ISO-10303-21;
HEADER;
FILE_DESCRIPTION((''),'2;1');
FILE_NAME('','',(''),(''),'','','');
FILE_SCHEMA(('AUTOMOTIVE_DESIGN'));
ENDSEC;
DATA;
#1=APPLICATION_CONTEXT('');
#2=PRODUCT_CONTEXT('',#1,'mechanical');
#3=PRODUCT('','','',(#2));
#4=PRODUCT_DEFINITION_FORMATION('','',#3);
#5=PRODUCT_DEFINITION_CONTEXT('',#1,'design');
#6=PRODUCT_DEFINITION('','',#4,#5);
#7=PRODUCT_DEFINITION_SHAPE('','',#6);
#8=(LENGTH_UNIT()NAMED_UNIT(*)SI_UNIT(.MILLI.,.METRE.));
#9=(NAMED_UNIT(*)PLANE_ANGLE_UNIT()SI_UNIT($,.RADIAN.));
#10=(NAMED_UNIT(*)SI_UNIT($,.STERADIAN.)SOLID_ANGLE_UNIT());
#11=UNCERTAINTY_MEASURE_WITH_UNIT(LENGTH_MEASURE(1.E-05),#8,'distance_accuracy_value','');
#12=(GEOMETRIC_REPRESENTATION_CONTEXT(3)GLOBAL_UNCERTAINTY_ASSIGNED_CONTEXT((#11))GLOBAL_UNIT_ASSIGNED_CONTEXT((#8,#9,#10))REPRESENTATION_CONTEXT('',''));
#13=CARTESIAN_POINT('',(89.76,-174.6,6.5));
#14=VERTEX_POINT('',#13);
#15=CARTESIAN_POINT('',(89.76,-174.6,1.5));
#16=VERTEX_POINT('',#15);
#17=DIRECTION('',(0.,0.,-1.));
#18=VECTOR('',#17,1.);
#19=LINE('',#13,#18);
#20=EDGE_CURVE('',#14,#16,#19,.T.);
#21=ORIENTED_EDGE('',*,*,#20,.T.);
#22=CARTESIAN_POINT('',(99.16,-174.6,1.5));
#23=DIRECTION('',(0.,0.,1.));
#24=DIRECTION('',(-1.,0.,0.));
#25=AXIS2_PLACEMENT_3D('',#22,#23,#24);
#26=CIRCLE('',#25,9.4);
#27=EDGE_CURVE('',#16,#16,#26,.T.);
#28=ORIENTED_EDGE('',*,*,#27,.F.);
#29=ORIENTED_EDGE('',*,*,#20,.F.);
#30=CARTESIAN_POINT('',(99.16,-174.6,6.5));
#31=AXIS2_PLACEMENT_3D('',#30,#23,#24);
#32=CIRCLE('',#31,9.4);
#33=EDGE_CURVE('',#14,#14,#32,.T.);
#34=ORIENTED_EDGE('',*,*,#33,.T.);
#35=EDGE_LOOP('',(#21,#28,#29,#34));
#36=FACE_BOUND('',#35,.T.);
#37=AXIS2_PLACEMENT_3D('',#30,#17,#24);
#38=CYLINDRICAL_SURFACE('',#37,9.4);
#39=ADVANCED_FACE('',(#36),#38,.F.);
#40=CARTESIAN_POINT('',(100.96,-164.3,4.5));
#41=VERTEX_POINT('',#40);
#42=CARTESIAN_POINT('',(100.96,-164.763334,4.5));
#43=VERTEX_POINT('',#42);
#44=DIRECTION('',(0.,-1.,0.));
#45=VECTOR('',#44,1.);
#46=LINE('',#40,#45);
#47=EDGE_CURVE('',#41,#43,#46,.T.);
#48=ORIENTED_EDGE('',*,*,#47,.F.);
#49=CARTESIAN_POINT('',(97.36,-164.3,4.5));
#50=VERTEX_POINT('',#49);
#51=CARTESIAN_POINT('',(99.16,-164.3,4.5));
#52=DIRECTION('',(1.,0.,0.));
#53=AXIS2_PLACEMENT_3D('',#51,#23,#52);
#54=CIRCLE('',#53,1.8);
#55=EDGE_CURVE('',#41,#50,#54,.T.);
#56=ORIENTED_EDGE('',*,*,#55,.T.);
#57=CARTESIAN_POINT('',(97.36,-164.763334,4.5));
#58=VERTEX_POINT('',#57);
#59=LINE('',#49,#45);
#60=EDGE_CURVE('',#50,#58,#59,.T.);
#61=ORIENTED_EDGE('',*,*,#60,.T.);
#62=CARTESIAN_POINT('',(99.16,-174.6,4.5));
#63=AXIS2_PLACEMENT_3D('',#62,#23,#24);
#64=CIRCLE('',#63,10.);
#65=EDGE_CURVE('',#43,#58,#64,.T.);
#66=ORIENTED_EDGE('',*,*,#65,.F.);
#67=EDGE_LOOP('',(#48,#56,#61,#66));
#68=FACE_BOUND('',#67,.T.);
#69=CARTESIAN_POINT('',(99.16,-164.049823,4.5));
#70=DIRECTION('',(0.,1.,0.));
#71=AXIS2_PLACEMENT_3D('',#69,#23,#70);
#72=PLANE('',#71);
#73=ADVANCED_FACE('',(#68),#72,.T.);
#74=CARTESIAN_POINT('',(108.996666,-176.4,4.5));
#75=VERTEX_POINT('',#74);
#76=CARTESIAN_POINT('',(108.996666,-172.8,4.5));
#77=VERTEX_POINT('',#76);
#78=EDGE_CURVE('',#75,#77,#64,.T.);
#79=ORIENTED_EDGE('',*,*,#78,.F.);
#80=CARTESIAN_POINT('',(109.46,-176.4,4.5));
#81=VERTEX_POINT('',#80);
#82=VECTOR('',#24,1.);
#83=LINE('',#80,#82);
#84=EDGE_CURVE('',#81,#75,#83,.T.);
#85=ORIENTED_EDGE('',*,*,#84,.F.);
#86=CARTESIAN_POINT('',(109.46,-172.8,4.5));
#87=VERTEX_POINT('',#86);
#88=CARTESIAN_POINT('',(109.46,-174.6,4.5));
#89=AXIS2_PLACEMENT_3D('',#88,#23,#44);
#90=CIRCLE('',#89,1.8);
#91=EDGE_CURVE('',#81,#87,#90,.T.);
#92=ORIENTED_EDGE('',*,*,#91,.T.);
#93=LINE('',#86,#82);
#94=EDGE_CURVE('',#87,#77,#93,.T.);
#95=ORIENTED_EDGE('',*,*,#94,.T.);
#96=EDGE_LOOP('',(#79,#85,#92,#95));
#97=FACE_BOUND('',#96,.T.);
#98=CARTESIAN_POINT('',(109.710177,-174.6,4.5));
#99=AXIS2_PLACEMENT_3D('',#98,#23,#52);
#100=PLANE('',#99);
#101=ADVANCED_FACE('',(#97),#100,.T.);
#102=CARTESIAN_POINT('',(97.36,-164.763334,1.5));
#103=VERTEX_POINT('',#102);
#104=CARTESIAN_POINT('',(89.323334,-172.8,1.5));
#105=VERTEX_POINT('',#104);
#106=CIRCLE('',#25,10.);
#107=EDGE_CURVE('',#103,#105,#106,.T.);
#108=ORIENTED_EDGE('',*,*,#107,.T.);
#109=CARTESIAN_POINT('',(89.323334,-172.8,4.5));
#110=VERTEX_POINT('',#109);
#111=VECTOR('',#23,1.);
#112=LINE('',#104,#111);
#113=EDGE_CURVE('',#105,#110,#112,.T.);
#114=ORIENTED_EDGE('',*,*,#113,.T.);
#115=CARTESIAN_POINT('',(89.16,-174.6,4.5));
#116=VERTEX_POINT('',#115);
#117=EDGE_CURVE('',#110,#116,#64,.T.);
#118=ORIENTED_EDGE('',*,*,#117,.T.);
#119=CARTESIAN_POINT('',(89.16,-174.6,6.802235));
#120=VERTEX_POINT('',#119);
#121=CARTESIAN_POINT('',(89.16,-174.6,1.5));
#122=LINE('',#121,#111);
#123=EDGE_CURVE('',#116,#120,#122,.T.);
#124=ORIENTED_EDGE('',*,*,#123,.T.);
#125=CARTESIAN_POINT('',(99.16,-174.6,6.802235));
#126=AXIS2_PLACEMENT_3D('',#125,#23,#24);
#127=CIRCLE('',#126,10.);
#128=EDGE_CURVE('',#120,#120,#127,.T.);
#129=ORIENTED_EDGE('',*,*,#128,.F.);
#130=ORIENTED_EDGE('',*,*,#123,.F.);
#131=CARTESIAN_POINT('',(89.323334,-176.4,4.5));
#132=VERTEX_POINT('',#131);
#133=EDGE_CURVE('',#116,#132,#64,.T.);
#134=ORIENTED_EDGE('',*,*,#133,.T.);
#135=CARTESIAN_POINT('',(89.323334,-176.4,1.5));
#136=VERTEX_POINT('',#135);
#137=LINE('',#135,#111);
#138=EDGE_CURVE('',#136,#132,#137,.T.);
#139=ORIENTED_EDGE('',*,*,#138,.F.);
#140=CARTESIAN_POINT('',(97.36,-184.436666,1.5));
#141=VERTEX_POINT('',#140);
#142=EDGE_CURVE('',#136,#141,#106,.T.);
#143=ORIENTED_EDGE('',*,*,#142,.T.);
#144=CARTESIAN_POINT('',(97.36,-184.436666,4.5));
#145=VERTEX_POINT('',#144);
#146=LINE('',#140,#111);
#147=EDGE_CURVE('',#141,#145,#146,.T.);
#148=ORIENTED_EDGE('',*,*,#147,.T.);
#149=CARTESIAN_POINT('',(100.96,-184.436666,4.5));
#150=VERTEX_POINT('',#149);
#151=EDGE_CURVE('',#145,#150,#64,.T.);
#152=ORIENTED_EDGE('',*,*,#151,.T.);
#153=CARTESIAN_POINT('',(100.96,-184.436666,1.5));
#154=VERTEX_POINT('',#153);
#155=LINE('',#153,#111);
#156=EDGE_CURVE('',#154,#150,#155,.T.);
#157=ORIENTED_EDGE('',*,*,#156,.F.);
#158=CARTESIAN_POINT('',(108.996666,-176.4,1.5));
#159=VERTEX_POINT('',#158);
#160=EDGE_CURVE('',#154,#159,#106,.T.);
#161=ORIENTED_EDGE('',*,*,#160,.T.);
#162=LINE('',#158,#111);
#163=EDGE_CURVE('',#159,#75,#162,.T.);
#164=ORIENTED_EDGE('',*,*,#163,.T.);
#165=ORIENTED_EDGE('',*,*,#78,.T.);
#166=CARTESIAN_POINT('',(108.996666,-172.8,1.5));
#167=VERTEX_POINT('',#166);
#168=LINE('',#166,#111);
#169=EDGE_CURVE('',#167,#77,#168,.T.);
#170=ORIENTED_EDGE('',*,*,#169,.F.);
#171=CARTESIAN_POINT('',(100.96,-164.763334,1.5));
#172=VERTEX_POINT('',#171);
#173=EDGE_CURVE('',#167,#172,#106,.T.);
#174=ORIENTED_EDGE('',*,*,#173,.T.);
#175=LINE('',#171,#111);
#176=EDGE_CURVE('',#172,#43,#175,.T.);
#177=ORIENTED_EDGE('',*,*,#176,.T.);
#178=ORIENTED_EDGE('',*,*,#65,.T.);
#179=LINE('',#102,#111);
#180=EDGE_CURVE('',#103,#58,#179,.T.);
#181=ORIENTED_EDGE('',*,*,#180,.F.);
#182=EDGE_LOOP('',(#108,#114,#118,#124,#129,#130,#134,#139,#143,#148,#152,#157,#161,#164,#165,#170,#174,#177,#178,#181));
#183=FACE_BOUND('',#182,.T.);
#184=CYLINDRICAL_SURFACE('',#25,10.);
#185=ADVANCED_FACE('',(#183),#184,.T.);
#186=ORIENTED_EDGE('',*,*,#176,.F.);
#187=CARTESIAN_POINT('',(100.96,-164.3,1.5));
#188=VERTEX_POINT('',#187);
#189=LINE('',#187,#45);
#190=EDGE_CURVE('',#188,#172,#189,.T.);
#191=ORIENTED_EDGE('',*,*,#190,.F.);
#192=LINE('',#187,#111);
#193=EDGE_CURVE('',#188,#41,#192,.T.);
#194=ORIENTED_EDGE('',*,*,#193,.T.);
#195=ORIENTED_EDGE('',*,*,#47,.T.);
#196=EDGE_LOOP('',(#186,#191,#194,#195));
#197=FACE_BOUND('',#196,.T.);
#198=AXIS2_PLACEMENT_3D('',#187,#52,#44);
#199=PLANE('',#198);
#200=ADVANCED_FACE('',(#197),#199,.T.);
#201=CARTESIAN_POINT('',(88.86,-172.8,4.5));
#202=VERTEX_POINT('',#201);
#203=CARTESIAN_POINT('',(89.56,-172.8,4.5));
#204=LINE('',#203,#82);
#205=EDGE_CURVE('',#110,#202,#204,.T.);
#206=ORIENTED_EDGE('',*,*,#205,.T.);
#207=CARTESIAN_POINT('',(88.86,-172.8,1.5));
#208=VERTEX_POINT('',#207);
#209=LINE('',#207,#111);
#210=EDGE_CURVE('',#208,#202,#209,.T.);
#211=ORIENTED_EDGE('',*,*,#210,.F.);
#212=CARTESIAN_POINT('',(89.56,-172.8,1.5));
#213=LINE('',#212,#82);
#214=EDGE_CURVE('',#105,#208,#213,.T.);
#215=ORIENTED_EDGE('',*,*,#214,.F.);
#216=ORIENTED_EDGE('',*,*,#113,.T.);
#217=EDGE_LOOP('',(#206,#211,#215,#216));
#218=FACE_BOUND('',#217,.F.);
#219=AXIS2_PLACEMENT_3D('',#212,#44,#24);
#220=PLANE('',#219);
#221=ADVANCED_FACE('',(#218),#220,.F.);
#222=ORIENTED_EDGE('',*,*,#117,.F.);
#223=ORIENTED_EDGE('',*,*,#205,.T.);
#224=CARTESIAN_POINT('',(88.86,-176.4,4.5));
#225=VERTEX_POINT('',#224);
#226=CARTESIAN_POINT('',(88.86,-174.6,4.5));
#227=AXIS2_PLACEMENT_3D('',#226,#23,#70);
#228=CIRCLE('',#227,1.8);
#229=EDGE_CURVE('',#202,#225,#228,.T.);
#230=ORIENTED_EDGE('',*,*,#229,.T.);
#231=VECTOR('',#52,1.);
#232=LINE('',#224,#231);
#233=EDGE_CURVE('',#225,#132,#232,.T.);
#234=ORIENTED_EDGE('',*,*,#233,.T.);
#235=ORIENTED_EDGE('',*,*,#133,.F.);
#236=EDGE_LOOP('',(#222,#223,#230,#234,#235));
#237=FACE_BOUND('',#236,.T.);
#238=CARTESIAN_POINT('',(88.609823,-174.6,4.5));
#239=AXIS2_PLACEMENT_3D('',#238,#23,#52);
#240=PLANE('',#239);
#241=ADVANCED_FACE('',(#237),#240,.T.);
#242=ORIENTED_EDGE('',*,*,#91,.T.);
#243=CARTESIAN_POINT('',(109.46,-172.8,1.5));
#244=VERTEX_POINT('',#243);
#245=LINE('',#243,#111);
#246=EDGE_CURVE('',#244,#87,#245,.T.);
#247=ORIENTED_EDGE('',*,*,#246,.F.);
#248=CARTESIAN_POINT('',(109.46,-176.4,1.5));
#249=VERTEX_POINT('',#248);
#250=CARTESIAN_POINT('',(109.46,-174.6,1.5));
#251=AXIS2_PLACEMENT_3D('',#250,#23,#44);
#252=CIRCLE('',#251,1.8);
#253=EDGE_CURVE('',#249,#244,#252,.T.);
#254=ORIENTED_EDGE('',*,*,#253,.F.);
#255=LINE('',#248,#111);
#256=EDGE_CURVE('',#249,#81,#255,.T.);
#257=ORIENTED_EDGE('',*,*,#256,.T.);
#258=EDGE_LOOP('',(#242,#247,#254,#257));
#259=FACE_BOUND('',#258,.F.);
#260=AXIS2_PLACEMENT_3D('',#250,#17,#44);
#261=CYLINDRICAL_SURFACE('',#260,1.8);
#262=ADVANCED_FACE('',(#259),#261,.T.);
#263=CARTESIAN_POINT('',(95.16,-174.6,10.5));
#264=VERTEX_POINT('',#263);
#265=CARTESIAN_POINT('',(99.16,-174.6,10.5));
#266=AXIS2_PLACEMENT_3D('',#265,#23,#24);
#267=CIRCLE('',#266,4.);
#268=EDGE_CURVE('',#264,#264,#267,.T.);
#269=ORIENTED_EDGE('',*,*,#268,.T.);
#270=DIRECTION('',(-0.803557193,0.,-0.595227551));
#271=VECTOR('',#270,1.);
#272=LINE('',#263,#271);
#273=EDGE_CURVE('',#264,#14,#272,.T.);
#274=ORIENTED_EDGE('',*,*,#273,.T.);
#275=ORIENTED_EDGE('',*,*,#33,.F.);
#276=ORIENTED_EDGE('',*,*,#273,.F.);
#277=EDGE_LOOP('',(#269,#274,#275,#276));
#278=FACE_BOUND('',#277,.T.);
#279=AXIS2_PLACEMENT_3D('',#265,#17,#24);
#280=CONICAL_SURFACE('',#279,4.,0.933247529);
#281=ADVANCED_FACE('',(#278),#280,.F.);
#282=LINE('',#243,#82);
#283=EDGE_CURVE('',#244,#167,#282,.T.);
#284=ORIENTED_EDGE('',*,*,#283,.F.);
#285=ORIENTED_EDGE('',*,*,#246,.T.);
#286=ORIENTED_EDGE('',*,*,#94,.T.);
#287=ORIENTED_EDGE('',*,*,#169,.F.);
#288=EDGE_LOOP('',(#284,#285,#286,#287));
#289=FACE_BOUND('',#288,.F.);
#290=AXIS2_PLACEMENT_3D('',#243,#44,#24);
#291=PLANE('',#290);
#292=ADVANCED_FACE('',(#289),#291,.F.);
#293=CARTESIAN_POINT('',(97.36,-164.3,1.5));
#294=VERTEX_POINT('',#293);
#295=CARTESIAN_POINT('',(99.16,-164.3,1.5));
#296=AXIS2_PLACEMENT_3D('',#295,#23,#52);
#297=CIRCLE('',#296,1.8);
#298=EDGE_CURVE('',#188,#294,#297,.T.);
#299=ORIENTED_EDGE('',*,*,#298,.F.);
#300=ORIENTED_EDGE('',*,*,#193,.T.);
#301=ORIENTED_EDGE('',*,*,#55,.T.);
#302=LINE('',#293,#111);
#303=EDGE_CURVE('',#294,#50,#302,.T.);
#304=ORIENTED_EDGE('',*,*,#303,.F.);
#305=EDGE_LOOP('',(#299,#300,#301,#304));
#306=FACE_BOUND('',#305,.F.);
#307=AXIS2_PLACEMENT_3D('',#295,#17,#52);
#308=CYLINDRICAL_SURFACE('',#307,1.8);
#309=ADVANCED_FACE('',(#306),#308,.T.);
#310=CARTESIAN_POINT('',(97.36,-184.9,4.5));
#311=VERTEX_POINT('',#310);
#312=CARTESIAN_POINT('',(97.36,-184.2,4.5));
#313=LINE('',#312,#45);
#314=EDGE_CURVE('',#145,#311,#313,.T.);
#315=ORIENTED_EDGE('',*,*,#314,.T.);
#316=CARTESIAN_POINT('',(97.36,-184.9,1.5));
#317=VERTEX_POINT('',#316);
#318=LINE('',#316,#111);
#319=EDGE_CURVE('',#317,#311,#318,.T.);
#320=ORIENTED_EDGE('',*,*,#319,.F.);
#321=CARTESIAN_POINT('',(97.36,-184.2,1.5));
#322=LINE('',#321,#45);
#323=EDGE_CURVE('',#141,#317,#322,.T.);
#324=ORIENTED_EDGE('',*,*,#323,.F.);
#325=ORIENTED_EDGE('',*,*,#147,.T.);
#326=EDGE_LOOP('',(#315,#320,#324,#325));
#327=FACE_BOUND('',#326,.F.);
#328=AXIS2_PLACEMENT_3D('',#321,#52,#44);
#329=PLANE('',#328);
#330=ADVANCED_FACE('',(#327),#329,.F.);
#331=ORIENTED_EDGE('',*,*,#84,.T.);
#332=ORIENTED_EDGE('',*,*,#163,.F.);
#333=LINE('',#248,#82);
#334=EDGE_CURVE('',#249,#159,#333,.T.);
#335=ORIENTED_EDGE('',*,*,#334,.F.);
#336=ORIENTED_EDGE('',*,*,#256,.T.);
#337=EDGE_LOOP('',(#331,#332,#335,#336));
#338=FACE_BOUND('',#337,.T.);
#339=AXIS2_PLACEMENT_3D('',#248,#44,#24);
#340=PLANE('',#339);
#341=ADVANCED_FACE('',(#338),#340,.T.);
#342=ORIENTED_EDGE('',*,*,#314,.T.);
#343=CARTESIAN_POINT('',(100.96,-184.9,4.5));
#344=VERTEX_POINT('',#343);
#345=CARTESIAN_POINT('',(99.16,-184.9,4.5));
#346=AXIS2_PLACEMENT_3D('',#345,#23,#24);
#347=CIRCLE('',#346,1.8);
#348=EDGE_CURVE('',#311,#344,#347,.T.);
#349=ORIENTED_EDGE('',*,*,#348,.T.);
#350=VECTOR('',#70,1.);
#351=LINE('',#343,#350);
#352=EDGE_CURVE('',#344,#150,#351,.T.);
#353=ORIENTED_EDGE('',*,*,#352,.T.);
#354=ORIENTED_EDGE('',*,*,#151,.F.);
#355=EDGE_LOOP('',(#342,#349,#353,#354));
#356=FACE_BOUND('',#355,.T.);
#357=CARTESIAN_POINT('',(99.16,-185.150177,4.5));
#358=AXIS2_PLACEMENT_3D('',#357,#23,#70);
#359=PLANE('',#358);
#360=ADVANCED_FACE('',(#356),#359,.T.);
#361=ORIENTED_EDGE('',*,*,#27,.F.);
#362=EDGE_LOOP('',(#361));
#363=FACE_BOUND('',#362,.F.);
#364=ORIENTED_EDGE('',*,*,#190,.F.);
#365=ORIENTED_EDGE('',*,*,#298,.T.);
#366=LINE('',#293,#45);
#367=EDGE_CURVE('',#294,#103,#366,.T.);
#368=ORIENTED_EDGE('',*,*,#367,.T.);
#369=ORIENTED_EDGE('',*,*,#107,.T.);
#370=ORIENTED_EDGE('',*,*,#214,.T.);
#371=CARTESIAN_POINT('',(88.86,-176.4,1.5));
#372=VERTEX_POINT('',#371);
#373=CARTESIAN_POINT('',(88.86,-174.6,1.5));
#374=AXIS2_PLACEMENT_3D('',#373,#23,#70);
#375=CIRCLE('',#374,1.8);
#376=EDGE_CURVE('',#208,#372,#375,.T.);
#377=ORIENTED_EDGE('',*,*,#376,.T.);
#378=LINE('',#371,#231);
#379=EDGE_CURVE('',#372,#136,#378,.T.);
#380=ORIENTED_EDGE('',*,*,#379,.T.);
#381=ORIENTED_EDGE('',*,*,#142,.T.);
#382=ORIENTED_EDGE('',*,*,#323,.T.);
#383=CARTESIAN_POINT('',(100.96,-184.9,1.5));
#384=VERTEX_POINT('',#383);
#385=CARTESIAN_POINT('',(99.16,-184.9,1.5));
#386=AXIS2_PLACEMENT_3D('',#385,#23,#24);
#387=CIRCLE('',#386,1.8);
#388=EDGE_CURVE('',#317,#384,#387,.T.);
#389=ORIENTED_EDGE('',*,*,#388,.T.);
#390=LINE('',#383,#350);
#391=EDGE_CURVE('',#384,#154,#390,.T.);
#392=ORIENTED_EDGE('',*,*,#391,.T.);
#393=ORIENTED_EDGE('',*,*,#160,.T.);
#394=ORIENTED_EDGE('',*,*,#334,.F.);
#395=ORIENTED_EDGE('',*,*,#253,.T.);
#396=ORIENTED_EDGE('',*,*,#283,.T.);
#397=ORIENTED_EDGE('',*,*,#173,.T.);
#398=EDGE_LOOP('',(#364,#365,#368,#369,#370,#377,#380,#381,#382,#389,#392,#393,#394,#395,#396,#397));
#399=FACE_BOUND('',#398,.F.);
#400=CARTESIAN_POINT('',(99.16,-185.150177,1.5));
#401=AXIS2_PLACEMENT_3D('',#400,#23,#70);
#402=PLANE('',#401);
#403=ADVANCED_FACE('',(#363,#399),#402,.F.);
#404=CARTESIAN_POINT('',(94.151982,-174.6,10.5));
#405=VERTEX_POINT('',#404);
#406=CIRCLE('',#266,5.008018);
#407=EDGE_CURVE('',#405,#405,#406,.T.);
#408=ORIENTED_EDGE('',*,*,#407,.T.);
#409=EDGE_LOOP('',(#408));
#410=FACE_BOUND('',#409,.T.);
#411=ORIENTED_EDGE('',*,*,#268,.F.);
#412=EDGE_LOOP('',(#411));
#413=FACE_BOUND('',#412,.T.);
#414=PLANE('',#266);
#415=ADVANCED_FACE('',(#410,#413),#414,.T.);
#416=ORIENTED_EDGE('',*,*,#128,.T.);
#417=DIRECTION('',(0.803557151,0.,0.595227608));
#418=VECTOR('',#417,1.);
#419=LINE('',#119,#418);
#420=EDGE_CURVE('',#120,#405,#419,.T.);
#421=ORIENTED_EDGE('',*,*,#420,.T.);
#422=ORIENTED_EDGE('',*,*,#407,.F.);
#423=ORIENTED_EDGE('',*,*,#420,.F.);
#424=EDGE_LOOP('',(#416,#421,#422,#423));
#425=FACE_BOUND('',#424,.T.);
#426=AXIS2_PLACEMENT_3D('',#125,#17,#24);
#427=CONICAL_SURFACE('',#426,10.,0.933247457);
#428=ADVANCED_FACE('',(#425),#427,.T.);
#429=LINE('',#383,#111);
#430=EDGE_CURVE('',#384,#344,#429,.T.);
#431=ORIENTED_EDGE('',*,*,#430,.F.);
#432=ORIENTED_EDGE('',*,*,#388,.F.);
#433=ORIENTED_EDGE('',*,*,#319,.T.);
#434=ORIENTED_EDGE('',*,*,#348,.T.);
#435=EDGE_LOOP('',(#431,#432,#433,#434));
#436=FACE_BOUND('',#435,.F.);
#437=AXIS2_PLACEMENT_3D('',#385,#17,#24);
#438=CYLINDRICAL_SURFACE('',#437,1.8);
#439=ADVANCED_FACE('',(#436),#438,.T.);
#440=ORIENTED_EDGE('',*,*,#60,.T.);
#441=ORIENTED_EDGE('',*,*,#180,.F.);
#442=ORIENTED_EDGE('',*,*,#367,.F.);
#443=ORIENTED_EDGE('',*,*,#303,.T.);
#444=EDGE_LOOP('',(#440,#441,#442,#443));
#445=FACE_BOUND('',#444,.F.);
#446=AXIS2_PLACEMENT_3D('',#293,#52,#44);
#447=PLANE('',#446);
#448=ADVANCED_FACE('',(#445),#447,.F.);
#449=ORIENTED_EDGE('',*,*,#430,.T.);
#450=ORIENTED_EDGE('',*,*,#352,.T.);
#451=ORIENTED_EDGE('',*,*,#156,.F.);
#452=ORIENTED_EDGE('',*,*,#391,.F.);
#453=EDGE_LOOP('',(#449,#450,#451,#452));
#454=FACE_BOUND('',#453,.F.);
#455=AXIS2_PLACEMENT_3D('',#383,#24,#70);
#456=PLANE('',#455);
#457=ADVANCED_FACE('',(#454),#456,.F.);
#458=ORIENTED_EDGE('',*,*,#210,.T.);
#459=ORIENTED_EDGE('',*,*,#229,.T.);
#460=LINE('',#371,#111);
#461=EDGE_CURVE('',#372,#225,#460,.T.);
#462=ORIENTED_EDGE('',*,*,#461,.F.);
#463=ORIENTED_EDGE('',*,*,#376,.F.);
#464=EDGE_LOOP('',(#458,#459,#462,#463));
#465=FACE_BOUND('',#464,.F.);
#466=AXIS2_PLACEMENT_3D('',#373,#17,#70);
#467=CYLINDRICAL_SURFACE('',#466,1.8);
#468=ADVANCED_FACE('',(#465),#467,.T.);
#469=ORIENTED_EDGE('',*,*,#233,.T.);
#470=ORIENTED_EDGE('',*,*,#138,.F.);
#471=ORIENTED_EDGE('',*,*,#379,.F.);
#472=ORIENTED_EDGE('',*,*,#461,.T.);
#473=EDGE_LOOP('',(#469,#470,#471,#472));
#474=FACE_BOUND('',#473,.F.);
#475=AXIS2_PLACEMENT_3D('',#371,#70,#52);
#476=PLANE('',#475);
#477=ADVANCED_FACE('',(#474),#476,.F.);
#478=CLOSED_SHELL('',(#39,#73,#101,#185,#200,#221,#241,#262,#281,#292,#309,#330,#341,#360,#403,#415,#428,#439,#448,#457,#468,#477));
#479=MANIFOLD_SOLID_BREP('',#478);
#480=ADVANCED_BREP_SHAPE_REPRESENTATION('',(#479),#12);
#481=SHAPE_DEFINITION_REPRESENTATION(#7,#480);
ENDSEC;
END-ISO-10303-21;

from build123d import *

# Parameters (mm, degrees)
PAD022_DEPTH          = 3
POLARPATTERN001_COUNT = 4


with BuildPart() as part:
    # Sketch042 → Revolution002 (revolve)
    with BuildSketch(Plane.XZ):
        Polygon((-10, 0), (-10, 5.302235), (-5.008018, 9), (-4, 9), (-9.4, 5), (-9.4, 0), align=None)
    revolve(axis=Axis((0, 0, 0), (0, 0, 1)))

    # Sketch043 → Pad022 (new body)
    with BuildSketch(Plane.XY):
        with BuildLine():
            ThreePointArc((-10.3, 1.8), (-12.1, 0), (-10.3, -1.8))
            Line((-10.3, -1.8), (-9.6, -1.8))
            Line((-9.6, -1.8), (-9.6, 1.8))
            Line((-9.6, 1.8), (-10.3, 1.8))
        make_face()
        with BuildLine():
            ThreePointArc((10.3, -1.8), (12.1, 0), (10.3, 1.8))
            Line((10.3, 1.8), (9.6, 1.8))
            Line((9.6, 1.8), (9.6, -1.8))
            Line((10.3, -1.8), (9.6, -1.8))
        make_face()
    pad022 = extrude(amount=PAD022_DEPTH)

    # PolarPattern001: Pad022 ×4 about axis
    polarpattern001_axis = Axis((0, 0, 0), (0, 0, 1))
    for i in range(1, POLARPATTERN001_COUNT):
        add(pad022.rotate(polarpattern001_axis, i * 360 / POLARPATTERN001_COUNT))


with BuildPart() as part_1:
    # Body007 placement: moved
    add(part.part.moved(Location((99.16, -174.6, 1.5))))


solid = part_1.part
